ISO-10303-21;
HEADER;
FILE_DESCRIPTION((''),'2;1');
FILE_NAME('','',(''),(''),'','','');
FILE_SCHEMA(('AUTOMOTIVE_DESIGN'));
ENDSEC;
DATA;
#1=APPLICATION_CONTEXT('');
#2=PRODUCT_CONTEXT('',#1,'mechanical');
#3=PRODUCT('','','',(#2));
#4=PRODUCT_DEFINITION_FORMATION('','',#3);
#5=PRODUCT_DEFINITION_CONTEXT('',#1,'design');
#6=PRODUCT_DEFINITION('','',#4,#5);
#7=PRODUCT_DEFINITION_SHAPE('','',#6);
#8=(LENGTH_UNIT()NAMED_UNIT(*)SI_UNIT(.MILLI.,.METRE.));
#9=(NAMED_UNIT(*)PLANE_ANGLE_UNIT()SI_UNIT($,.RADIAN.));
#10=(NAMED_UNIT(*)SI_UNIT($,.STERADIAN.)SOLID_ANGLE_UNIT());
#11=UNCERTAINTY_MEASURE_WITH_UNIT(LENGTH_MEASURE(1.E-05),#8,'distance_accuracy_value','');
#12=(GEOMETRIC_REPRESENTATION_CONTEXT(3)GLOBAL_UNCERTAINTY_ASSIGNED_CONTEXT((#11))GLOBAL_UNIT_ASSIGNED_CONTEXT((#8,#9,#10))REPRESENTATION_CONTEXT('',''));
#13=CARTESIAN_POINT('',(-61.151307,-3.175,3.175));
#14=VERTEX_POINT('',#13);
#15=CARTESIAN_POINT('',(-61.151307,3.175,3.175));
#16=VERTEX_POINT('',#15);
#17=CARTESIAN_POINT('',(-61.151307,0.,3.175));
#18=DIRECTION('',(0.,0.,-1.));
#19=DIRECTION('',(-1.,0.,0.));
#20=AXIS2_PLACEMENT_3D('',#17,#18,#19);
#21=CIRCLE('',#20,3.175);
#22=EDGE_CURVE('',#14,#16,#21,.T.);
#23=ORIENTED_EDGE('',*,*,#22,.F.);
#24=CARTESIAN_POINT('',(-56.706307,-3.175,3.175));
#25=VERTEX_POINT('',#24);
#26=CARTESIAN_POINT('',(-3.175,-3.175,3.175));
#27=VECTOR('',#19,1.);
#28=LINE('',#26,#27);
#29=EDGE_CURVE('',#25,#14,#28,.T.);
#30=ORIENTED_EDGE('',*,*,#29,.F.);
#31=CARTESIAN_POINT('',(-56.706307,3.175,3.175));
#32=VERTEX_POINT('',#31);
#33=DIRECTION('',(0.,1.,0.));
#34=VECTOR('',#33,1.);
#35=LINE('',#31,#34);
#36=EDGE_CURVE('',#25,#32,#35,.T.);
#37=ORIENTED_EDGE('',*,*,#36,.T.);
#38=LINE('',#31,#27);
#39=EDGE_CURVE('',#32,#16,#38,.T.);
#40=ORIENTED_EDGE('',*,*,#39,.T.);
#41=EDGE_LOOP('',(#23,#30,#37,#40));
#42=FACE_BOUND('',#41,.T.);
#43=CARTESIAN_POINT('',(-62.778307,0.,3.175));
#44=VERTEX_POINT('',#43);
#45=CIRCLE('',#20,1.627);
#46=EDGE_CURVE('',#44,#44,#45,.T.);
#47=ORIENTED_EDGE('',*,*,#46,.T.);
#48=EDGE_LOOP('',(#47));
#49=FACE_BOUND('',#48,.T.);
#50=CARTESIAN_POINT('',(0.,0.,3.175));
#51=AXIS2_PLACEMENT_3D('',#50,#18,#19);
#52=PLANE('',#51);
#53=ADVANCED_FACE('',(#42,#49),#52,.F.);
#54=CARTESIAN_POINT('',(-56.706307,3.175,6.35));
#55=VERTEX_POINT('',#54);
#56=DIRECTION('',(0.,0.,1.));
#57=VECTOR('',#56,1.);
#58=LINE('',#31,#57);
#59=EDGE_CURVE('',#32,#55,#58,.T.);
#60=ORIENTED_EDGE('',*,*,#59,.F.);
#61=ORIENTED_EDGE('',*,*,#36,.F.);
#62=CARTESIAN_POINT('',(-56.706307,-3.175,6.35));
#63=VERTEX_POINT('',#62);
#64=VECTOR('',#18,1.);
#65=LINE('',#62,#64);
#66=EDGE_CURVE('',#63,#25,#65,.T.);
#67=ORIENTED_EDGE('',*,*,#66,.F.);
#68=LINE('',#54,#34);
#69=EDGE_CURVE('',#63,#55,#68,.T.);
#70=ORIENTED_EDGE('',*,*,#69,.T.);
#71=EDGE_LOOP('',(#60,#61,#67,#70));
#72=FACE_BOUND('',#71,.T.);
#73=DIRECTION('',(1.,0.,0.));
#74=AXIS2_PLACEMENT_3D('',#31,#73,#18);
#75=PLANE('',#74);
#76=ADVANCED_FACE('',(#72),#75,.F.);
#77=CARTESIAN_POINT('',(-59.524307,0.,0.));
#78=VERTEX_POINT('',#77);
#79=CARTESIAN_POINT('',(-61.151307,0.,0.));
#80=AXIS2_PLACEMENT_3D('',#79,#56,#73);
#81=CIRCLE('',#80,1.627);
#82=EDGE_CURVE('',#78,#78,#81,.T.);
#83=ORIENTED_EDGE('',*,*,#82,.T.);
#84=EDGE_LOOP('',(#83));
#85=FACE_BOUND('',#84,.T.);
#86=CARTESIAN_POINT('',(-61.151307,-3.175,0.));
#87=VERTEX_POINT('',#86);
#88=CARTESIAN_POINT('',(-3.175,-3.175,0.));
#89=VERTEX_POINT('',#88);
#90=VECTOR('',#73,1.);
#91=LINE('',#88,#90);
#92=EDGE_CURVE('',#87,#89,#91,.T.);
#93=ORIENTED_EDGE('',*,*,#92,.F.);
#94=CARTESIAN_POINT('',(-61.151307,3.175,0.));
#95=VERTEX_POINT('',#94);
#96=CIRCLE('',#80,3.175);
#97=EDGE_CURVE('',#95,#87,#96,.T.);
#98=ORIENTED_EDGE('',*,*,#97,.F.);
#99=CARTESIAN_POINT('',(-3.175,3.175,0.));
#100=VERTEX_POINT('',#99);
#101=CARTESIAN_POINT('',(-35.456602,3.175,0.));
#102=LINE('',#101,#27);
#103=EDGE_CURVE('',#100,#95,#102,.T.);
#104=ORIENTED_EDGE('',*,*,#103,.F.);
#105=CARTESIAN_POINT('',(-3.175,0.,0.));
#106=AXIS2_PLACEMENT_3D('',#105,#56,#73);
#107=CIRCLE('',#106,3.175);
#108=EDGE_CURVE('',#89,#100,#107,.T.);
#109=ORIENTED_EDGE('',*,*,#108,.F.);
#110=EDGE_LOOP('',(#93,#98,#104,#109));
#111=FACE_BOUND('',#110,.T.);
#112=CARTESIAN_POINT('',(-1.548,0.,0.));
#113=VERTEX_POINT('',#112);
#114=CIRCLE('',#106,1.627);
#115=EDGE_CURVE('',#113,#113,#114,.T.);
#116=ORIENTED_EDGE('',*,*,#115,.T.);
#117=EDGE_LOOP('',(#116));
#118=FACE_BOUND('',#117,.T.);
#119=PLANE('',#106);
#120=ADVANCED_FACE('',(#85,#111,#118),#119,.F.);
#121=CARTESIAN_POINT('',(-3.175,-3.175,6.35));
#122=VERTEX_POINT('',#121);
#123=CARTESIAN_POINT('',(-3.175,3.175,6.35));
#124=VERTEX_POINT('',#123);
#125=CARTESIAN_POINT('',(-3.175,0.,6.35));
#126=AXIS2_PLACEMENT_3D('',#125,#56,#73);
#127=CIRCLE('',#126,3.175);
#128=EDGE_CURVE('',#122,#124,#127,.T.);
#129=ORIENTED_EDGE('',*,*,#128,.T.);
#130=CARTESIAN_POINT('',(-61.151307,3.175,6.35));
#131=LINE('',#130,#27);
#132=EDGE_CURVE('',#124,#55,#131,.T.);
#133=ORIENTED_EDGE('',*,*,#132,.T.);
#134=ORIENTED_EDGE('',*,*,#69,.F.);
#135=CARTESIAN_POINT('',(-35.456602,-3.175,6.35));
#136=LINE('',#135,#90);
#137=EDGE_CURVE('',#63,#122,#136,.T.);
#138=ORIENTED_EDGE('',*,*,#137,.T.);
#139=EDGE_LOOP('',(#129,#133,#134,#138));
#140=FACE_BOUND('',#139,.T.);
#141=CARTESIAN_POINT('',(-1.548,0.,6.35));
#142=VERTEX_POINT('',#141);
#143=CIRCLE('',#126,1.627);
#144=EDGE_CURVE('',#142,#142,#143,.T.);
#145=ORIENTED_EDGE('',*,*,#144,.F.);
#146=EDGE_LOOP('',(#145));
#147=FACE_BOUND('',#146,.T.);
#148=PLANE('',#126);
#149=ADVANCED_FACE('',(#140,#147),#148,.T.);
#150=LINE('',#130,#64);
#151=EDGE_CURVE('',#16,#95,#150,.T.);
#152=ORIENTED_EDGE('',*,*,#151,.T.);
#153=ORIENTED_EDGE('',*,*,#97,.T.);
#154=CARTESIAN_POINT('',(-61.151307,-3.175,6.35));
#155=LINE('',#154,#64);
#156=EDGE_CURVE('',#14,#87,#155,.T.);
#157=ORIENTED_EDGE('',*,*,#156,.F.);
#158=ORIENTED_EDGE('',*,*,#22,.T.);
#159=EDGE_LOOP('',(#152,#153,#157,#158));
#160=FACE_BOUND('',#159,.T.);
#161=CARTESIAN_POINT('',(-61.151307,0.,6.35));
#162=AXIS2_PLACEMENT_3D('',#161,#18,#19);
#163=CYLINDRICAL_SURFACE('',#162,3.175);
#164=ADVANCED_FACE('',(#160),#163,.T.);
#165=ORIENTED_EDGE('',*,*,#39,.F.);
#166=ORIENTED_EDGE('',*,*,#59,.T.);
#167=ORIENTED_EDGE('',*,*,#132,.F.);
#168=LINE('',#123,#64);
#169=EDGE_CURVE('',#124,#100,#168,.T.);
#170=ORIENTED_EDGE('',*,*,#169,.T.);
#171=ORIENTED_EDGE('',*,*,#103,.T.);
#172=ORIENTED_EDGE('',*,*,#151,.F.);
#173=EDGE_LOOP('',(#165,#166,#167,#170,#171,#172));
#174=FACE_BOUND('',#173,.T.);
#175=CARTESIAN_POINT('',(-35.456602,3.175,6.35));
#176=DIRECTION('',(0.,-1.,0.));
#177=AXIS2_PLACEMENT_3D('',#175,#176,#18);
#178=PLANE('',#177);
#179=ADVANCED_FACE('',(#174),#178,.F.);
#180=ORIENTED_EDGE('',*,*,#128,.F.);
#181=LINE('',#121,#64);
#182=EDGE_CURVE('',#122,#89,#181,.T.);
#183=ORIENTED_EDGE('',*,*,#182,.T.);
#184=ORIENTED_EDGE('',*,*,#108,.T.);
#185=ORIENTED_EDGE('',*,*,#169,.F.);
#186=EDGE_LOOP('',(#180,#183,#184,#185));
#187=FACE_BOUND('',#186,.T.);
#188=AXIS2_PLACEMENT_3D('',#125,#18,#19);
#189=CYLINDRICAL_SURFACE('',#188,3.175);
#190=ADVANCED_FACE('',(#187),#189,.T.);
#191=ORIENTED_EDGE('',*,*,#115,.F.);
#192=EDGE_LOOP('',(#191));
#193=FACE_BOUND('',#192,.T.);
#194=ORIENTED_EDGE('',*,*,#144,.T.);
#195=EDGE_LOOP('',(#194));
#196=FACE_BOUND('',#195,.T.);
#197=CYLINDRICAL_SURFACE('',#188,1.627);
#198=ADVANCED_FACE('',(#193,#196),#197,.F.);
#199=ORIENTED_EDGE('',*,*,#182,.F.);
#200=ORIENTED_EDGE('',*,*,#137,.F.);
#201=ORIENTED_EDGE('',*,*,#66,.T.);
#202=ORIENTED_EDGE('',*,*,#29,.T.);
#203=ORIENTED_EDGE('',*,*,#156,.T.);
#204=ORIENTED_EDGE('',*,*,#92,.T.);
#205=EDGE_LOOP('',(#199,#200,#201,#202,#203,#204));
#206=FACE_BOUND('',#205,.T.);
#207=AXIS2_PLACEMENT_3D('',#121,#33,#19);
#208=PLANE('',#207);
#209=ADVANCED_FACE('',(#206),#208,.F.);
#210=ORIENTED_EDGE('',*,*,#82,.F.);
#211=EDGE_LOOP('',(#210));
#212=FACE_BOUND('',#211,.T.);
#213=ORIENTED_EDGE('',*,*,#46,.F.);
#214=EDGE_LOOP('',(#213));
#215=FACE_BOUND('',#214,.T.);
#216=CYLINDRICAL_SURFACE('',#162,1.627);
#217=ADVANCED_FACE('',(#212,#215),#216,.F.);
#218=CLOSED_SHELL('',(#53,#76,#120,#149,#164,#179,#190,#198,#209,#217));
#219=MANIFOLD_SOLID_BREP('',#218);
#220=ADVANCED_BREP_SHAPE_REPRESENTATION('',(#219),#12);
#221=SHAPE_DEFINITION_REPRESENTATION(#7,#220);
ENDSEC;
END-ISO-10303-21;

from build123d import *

# Parameters (mm, degrees)
SKETCH1_R           = 1.627
BOSS_EXTRUDE1_DEPTH = 6.35
SKETCH2_W           = 8.278201301
SKETCH2_H           = 8.19304218
CUT_EXTRUDE1_DEPTH  = 3.175


with BuildPart() as part:
    # Sketch1 → Boss-Extrude1 (new body)
    with BuildSketch(Plane.XY):
        with BuildLine():
            Line((-35.456602045, 3.175), (-7.62, 3.175))
            Line((-7.62, 3.175), (-3.175, 3.175))
            ThreePointArc((-3.175, 3.175), (-0.92993597, 2.24506403), (0, 0))
            ThreePointArc((0, 0), (-0.92993597, -2.24506403), (-3.175, -3.175))
            Line((-3.175, -3.175), (-7.62, -3.175))
            Line((-7.62, -3.175), (-35.456602045, -3.175))
            Line((-35.456602045, -3.175), (-61.15130657, -3.175))
            ThreePointArc((-61.15130657, -3.175), (-63.3963706, -2.24506403), (-64.32630657, 0))
            ThreePointArc((-64.32630657, 0), (-63.3963706, 2.24506403), (-61.15130657, 3.175))
            Line((-61.15130657, 3.175), (-35.456602045, 3.175))
        make_face()
        with Locations((-3.175, 0)):
            Circle(SKETCH1_R, mode=Mode.SUBTRACT)
        with Locations((-61.15130657, 0)):
            Circle(SKETCH1_R, mode=Mode.SUBTRACT)
    extrude(amount=BOSS_EXTRUDE1_DEPTH)

    # Sketch2 → Cut-Extrude1 (cut)
    with BuildSketch(Plane.XY.offset(6.35)):
        with Locations((-60.845407221, -0.92152109)):
            Rectangle(SKETCH2_W, SKETCH2_H)
    extrude(amount=-CUT_EXTRUDE1_DEPTH, mode=Mode.SUBTRACT)


solid = part.part
